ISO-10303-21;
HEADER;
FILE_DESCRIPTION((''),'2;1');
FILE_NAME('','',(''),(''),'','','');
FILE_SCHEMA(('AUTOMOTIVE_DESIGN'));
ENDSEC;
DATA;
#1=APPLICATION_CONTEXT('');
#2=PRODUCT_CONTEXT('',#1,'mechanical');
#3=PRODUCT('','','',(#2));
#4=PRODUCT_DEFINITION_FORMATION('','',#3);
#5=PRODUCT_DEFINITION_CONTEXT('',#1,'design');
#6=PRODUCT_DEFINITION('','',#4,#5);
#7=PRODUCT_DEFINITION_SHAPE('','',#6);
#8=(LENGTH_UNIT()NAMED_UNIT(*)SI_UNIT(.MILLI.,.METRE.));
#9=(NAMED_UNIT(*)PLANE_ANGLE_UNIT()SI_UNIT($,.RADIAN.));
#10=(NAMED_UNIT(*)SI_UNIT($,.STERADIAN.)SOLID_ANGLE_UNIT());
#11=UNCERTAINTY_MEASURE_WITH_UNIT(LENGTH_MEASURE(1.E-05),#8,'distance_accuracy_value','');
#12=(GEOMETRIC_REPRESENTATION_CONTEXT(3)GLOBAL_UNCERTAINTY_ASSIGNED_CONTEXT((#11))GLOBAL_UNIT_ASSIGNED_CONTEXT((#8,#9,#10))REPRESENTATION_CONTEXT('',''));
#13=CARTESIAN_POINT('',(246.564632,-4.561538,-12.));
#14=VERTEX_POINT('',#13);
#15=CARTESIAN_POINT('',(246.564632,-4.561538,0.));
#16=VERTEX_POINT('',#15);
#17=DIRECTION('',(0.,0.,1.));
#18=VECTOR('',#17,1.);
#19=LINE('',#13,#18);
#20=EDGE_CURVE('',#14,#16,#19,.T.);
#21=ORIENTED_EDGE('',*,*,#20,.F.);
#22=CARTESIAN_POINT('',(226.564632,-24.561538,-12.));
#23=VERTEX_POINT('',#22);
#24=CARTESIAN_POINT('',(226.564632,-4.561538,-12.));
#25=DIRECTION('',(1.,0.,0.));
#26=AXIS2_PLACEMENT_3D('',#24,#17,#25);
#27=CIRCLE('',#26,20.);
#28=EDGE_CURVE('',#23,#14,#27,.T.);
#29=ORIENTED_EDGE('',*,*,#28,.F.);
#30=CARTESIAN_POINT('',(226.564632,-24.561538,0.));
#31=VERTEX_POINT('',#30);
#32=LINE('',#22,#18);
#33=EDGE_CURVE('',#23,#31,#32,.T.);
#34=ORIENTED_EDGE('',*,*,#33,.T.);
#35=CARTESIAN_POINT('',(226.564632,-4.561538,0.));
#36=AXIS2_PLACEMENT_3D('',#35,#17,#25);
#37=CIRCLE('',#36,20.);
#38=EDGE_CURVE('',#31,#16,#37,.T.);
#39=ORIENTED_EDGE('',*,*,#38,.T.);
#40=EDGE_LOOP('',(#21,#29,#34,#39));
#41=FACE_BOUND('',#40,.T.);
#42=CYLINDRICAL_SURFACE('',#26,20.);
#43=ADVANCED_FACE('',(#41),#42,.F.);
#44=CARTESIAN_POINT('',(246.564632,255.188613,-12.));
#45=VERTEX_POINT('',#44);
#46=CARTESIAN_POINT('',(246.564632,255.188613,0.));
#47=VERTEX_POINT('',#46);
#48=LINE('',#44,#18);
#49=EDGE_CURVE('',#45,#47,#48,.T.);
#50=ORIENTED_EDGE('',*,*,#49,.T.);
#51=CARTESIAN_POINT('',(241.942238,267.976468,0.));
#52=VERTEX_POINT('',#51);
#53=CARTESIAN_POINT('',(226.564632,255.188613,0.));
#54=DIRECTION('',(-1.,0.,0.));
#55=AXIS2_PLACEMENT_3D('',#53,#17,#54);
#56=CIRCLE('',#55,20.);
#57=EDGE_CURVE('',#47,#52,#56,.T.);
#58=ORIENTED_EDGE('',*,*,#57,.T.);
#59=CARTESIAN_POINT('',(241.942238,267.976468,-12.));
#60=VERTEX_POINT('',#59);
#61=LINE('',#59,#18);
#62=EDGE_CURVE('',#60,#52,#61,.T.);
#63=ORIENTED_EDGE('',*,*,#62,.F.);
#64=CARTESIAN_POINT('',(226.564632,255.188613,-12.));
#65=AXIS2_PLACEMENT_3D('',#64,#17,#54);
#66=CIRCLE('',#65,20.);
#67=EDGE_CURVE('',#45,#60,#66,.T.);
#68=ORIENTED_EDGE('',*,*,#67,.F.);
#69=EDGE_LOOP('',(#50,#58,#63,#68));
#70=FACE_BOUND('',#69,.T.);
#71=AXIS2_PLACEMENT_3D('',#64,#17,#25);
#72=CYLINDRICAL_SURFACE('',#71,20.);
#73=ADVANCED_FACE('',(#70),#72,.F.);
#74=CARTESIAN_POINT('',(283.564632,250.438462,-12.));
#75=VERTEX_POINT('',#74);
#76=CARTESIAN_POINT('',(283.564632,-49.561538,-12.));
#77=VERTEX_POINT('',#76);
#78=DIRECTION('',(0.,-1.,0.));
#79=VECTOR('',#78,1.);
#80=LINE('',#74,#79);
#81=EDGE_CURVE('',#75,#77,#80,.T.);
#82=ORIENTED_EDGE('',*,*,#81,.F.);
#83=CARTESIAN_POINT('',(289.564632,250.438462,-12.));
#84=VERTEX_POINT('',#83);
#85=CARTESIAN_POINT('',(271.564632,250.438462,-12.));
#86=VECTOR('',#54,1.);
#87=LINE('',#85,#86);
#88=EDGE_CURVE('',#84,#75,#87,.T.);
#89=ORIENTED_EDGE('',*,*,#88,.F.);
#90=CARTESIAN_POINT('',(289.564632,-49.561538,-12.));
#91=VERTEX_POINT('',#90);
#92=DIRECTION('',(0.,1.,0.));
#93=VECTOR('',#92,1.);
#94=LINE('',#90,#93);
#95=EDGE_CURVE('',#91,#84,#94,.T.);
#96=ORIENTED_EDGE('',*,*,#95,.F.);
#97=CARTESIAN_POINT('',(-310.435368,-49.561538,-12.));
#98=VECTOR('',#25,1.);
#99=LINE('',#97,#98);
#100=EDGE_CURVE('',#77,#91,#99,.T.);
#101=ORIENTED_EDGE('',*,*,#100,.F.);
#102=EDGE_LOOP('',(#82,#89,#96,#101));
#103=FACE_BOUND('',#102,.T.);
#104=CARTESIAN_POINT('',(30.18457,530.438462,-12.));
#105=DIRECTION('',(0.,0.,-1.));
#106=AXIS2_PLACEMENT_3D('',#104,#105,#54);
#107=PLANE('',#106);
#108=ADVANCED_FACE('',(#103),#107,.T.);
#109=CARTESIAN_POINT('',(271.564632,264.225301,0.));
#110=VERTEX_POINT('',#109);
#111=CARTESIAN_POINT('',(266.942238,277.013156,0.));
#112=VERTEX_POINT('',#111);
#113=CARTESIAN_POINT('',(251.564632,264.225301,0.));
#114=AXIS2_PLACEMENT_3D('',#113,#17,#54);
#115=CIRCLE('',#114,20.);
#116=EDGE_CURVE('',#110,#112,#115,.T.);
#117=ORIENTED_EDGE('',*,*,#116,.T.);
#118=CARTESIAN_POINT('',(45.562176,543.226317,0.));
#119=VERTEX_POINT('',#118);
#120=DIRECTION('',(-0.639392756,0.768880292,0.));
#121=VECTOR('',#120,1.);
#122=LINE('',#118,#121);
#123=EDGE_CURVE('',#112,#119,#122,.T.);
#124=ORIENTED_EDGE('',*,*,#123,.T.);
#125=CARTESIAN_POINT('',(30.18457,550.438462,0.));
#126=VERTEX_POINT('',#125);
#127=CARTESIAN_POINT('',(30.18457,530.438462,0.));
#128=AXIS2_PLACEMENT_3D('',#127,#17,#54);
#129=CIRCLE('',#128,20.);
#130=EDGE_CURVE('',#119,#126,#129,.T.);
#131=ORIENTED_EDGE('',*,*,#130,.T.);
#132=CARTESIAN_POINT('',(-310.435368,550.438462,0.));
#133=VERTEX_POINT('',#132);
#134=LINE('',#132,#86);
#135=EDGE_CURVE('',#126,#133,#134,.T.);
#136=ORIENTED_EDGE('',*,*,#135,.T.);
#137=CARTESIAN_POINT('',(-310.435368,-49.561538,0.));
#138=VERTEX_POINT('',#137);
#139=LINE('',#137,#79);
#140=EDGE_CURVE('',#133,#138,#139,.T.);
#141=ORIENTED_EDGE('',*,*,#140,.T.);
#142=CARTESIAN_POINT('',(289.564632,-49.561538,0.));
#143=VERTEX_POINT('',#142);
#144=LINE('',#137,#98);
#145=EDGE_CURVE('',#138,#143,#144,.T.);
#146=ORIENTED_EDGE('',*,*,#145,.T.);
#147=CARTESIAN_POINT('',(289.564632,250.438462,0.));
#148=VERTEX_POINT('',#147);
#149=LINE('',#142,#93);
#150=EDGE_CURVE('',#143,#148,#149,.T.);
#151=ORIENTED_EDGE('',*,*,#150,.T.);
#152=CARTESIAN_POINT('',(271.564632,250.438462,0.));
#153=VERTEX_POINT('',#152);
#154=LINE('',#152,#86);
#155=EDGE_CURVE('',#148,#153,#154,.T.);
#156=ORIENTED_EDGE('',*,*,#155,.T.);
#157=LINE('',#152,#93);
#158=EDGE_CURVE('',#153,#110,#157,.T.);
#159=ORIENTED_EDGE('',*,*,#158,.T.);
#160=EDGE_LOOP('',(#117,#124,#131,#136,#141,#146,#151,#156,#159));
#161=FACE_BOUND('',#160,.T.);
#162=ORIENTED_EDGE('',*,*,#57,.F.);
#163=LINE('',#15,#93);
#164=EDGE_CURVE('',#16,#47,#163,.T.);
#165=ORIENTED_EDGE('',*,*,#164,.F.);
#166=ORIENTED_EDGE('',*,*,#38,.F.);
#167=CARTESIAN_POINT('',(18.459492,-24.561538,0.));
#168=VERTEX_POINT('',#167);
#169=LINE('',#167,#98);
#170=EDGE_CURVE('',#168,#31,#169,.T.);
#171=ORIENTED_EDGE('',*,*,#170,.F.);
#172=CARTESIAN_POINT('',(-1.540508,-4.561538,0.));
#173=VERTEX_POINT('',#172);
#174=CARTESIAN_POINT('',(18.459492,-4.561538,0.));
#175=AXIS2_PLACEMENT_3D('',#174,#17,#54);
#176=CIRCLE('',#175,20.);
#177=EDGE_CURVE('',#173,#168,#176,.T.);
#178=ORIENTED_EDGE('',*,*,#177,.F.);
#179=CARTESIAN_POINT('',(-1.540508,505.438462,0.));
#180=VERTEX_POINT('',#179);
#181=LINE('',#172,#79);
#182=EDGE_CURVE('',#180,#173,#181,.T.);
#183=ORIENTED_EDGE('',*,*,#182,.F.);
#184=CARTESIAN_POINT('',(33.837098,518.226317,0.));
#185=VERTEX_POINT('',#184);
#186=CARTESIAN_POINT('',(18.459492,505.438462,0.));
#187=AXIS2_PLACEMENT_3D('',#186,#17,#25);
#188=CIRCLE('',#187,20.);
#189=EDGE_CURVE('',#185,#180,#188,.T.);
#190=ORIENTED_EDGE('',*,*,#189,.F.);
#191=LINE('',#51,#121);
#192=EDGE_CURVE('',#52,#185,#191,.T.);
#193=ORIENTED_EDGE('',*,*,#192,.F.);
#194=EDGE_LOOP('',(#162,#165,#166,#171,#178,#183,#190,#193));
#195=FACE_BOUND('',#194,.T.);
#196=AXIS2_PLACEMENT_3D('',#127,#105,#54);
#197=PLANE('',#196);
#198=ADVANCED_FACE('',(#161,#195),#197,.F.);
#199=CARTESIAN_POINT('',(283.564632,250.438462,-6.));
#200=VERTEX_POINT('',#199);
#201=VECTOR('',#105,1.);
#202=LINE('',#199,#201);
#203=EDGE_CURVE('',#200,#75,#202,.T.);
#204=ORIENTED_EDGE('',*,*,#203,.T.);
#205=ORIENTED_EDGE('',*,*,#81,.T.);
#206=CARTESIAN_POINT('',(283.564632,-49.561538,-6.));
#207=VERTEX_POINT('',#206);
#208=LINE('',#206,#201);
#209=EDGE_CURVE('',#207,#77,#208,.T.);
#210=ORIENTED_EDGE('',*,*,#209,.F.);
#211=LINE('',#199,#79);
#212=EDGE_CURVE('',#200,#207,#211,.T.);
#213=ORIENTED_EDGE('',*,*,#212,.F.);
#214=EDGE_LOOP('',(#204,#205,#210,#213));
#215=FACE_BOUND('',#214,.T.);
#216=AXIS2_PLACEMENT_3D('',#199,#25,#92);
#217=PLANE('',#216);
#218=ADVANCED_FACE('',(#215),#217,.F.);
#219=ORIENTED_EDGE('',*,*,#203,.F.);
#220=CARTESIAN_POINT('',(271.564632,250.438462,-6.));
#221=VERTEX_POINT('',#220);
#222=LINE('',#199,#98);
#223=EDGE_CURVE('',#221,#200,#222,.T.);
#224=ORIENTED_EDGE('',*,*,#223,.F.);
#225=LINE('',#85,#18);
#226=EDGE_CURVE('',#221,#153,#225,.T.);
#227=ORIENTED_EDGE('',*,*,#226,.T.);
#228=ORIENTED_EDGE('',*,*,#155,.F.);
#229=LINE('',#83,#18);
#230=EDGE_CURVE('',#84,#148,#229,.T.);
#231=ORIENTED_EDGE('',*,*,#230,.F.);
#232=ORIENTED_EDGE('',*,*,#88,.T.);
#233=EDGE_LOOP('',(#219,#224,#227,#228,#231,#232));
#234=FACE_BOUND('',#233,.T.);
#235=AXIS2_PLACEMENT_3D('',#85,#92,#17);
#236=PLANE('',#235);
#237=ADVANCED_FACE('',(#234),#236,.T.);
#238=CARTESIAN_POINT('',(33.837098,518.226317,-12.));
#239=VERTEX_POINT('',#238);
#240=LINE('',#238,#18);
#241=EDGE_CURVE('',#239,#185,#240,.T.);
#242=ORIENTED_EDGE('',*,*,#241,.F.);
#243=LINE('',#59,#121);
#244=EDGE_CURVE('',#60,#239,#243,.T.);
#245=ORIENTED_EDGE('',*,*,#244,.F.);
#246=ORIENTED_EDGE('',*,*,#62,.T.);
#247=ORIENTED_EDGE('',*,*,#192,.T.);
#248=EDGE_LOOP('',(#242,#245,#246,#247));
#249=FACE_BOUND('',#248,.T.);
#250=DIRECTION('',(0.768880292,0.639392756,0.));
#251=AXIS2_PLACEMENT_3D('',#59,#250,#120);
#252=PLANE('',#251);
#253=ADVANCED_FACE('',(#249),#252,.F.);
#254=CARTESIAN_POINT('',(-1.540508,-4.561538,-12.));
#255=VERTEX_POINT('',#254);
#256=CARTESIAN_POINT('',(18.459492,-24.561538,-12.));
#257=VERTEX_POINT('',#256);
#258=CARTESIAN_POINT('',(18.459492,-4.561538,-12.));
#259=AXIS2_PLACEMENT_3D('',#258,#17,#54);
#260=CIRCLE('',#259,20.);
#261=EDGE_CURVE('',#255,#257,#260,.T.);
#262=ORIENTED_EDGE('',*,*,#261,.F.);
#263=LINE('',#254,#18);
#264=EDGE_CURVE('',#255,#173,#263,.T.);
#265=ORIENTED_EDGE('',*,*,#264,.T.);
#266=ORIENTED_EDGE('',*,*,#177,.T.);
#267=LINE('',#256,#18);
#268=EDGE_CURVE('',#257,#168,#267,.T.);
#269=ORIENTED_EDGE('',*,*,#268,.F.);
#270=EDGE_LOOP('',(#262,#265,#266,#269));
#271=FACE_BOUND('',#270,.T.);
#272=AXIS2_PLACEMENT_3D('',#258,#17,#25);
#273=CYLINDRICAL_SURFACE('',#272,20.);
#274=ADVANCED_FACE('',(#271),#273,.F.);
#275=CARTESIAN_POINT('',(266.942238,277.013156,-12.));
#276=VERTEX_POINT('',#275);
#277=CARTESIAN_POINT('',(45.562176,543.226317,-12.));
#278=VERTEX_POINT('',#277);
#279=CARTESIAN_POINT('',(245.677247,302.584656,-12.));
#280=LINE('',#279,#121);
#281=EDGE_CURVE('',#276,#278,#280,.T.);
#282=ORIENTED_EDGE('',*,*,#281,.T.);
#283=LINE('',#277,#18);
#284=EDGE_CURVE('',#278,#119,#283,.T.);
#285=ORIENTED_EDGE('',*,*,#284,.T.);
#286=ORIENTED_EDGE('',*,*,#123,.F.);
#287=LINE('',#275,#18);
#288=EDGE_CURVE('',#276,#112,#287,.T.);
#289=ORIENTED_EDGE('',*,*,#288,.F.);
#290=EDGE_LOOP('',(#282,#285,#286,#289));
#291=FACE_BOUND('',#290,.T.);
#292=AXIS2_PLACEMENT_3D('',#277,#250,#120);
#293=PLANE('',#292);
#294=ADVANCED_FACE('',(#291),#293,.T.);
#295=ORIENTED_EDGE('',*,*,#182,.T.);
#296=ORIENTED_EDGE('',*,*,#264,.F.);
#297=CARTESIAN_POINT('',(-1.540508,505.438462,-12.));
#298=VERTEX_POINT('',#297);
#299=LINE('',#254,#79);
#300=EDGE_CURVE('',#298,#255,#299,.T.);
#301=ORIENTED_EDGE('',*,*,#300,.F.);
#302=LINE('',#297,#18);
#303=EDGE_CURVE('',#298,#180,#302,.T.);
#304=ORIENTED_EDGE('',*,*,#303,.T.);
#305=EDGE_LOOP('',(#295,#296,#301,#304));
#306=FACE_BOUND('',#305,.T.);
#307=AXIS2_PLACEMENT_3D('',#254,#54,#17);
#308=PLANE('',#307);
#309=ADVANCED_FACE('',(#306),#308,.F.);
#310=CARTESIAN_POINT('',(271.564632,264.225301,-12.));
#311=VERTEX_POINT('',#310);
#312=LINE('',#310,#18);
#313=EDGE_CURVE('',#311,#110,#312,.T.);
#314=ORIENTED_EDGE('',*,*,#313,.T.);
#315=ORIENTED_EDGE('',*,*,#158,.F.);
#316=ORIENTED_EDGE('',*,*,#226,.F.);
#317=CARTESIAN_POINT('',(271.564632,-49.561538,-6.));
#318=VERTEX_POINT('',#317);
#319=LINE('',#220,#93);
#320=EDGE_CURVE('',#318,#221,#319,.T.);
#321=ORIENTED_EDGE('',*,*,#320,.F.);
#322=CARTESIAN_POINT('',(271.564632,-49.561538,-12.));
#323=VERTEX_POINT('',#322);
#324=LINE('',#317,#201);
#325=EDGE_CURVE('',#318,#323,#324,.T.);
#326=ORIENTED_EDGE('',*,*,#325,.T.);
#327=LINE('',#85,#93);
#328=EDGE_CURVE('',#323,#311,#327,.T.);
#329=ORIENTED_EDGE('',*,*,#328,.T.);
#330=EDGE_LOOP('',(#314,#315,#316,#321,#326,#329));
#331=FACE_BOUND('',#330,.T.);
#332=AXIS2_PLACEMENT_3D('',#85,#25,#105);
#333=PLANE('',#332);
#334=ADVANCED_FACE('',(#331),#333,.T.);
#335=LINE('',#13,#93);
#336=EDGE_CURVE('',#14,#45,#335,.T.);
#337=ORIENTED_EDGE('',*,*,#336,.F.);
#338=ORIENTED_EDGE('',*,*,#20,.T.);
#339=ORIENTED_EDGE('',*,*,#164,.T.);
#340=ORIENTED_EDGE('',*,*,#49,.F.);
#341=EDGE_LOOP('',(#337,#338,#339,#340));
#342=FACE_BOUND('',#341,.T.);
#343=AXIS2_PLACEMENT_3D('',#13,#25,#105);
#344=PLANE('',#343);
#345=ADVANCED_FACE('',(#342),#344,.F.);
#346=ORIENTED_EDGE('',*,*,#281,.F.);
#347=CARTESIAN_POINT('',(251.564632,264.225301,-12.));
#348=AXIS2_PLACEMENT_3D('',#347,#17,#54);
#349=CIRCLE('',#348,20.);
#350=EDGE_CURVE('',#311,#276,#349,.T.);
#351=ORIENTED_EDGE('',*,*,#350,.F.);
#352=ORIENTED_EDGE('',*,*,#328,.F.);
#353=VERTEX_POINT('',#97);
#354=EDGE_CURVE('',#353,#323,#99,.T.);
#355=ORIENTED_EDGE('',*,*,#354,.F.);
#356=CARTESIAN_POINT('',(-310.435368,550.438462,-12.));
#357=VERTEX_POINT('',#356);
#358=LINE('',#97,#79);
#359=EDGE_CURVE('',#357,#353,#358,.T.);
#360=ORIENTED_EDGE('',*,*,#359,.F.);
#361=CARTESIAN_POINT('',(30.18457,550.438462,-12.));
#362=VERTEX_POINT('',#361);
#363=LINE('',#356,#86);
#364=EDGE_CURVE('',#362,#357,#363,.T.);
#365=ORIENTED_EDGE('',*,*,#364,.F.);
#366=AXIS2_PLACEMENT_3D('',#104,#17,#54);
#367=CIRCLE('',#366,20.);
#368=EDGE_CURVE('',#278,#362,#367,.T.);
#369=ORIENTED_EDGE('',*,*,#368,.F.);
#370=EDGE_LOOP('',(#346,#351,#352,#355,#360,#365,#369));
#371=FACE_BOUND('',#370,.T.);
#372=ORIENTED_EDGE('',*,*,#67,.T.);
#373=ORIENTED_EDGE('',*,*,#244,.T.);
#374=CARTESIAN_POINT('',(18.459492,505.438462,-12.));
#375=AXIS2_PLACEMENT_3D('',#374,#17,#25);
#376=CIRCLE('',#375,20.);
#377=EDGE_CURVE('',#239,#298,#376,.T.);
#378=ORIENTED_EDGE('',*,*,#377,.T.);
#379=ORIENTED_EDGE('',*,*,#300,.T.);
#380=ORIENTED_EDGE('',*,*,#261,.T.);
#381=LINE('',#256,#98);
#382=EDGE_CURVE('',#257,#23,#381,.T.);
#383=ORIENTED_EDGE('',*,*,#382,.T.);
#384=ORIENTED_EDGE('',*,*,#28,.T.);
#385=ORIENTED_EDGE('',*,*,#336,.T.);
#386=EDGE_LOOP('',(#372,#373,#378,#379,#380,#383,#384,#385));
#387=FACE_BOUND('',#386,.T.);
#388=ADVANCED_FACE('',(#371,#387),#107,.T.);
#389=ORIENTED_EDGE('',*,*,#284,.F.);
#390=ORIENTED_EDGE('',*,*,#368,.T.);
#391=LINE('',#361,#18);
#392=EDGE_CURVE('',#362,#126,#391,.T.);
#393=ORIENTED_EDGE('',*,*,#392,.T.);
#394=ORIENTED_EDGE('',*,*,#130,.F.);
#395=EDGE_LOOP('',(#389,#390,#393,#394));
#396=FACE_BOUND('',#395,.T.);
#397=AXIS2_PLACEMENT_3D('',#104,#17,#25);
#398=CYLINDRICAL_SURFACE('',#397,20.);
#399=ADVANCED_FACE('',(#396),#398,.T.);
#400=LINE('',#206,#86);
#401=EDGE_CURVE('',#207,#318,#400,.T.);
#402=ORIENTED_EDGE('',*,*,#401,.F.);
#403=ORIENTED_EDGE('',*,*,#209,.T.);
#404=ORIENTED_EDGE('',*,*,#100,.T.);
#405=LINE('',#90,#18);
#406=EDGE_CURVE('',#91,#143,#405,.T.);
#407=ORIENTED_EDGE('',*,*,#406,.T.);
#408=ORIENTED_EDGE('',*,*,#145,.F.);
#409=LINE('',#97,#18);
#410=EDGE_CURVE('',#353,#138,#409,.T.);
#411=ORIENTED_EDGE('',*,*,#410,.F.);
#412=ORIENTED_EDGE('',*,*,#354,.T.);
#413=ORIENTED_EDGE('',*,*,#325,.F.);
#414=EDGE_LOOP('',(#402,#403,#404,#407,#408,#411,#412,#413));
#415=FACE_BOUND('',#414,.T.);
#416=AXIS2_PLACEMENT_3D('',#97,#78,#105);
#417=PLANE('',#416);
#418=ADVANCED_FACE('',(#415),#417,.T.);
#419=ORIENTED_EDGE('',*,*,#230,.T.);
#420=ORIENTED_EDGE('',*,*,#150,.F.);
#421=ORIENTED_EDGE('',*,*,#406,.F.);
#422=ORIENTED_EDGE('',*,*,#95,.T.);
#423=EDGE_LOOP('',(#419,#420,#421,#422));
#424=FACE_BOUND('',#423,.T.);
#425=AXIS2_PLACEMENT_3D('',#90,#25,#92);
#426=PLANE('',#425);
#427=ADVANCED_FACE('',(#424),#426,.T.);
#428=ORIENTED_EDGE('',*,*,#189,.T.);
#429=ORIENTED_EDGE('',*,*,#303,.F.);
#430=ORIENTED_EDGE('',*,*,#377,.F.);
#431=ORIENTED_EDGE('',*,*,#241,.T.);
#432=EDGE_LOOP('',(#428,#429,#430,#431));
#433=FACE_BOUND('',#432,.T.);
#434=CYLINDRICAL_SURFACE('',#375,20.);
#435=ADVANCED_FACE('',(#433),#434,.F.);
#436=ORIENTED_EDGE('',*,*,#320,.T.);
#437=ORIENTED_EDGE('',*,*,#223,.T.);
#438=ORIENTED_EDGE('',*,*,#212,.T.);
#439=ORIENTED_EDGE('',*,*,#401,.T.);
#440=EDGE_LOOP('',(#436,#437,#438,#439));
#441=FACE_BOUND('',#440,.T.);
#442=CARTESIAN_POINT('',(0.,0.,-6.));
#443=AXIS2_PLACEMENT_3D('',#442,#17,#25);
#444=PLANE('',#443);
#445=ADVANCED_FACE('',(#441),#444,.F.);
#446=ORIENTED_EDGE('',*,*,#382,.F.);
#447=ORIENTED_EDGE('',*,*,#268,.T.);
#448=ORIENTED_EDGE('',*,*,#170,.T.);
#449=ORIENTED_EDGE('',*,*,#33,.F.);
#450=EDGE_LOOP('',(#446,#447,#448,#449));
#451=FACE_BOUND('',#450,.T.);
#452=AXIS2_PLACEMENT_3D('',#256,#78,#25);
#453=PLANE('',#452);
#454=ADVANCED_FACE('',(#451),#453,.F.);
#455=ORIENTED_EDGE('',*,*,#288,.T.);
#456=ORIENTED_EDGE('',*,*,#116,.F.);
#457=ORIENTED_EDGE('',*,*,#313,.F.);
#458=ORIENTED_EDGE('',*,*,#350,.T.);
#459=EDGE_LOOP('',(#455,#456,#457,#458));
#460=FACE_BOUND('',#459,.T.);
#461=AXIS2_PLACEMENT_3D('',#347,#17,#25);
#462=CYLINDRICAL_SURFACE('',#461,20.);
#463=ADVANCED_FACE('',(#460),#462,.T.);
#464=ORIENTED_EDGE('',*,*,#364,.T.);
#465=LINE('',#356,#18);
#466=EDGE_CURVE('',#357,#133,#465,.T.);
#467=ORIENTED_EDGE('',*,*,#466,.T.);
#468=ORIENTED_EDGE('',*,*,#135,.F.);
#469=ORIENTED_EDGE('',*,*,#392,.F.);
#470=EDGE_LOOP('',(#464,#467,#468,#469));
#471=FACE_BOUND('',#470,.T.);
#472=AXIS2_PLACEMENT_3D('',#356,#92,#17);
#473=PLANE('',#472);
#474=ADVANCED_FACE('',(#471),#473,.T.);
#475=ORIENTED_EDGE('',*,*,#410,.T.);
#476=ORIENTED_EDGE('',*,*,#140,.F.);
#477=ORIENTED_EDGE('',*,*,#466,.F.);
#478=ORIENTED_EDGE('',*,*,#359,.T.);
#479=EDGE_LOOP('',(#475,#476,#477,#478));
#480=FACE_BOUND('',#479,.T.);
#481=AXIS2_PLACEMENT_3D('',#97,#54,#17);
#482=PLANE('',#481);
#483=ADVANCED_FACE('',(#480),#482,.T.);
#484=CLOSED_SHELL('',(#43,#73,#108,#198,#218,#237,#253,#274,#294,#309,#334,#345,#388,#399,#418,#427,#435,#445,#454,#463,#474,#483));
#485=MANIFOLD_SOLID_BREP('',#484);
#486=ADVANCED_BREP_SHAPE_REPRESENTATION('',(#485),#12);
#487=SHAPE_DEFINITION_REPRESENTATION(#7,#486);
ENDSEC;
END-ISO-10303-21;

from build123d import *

# Parameters (mm, degrees)
BOSS_EXTRUDE1_DEPTH = 12
SKETCH2_W           = 12
SKETCH2_H           = 300
CUT_EXTRUDE1_DEPTH  = 6


with BuildPart() as part:
    # Sketch1 → Boss-Extrude1 (new body)
    with BuildSketch(Plane.XY):
        with BuildLine():
            Line((45.562175866, 543.226317211), (245.677247379, 302.584656473))
            Line((245.677247379, 302.584656473), (266.942237958, 277.013155986))
            ThreePointArc((266.942237958, 277.013155986), (270.373567716, 271.024119998), (271.564632115, 264.225300867))
            Line((271.564632115, 264.225300867), (271.564632115, 250.438462092))
            Line((271.564632115, 250.438462092), (289.564632115, 250.438462092))
            Line((289.564632115, 250.438462092), (289.564632115, -49.561537908))
            Line((289.564632115, -49.561537908), (-310.435367885, -49.561537908))
            Line((-310.435367885, -49.561537908), (-310.435367885, 550.438462092))
            Line((-310.435367885, 550.438462092), (30.184570023, 550.438462092))
            ThreePointArc((30.184570023, 550.438462092), (38.677004822, 548.545879113), (45.562175866, 543.226317211))
        make_face()
        with BuildLine():
            Line((-1.540507591, -4.561537908), (-1.540507591, 505.438462092))
            ThreePointArc((-1.540507591, 505.438462092), (11.660673278, 524.247397693), (33.837098252, 518.226317211))
            Line((33.837098252, 518.226317211), (241.942237958, 267.976468219))
            ThreePointArc((241.942237958, 267.976468219), (245.373567716, 261.98743223), (246.564632115, 255.1886131))
            Line((246.564632115, 255.1886131), (246.564632115, -4.561537908))
            ThreePointArc((246.564632115, -4.561537908), (240.706767739, -18.703673532), (226.564632115, -24.561537908))
            Line((226.564632115, -24.561537908), (18.459492409, -24.561537908))
            ThreePointArc((18.459492409, -24.561537908), (4.317356785, -18.703673532), (-1.540507591, -4.561537908))
        make_face(mode=Mode.SUBTRACT)
    extrude(amount=-BOSS_EXTRUDE1_DEPTH)

    # Sketch2 → Cut-Extrude1 (cut)
    with BuildSketch(Plane(origin=(0, 0, -12), x_dir=(-1, 0, 0), z_dir=(0, 0, -1))):
        with Locations((-277.564632115, 100.438462092)):
            Rectangle(SKETCH2_W, SKETCH2_H)
    extrude(amount=-CUT_EXTRUDE1_DEPTH, mode=Mode.SUBTRACT)


solid = part.part
